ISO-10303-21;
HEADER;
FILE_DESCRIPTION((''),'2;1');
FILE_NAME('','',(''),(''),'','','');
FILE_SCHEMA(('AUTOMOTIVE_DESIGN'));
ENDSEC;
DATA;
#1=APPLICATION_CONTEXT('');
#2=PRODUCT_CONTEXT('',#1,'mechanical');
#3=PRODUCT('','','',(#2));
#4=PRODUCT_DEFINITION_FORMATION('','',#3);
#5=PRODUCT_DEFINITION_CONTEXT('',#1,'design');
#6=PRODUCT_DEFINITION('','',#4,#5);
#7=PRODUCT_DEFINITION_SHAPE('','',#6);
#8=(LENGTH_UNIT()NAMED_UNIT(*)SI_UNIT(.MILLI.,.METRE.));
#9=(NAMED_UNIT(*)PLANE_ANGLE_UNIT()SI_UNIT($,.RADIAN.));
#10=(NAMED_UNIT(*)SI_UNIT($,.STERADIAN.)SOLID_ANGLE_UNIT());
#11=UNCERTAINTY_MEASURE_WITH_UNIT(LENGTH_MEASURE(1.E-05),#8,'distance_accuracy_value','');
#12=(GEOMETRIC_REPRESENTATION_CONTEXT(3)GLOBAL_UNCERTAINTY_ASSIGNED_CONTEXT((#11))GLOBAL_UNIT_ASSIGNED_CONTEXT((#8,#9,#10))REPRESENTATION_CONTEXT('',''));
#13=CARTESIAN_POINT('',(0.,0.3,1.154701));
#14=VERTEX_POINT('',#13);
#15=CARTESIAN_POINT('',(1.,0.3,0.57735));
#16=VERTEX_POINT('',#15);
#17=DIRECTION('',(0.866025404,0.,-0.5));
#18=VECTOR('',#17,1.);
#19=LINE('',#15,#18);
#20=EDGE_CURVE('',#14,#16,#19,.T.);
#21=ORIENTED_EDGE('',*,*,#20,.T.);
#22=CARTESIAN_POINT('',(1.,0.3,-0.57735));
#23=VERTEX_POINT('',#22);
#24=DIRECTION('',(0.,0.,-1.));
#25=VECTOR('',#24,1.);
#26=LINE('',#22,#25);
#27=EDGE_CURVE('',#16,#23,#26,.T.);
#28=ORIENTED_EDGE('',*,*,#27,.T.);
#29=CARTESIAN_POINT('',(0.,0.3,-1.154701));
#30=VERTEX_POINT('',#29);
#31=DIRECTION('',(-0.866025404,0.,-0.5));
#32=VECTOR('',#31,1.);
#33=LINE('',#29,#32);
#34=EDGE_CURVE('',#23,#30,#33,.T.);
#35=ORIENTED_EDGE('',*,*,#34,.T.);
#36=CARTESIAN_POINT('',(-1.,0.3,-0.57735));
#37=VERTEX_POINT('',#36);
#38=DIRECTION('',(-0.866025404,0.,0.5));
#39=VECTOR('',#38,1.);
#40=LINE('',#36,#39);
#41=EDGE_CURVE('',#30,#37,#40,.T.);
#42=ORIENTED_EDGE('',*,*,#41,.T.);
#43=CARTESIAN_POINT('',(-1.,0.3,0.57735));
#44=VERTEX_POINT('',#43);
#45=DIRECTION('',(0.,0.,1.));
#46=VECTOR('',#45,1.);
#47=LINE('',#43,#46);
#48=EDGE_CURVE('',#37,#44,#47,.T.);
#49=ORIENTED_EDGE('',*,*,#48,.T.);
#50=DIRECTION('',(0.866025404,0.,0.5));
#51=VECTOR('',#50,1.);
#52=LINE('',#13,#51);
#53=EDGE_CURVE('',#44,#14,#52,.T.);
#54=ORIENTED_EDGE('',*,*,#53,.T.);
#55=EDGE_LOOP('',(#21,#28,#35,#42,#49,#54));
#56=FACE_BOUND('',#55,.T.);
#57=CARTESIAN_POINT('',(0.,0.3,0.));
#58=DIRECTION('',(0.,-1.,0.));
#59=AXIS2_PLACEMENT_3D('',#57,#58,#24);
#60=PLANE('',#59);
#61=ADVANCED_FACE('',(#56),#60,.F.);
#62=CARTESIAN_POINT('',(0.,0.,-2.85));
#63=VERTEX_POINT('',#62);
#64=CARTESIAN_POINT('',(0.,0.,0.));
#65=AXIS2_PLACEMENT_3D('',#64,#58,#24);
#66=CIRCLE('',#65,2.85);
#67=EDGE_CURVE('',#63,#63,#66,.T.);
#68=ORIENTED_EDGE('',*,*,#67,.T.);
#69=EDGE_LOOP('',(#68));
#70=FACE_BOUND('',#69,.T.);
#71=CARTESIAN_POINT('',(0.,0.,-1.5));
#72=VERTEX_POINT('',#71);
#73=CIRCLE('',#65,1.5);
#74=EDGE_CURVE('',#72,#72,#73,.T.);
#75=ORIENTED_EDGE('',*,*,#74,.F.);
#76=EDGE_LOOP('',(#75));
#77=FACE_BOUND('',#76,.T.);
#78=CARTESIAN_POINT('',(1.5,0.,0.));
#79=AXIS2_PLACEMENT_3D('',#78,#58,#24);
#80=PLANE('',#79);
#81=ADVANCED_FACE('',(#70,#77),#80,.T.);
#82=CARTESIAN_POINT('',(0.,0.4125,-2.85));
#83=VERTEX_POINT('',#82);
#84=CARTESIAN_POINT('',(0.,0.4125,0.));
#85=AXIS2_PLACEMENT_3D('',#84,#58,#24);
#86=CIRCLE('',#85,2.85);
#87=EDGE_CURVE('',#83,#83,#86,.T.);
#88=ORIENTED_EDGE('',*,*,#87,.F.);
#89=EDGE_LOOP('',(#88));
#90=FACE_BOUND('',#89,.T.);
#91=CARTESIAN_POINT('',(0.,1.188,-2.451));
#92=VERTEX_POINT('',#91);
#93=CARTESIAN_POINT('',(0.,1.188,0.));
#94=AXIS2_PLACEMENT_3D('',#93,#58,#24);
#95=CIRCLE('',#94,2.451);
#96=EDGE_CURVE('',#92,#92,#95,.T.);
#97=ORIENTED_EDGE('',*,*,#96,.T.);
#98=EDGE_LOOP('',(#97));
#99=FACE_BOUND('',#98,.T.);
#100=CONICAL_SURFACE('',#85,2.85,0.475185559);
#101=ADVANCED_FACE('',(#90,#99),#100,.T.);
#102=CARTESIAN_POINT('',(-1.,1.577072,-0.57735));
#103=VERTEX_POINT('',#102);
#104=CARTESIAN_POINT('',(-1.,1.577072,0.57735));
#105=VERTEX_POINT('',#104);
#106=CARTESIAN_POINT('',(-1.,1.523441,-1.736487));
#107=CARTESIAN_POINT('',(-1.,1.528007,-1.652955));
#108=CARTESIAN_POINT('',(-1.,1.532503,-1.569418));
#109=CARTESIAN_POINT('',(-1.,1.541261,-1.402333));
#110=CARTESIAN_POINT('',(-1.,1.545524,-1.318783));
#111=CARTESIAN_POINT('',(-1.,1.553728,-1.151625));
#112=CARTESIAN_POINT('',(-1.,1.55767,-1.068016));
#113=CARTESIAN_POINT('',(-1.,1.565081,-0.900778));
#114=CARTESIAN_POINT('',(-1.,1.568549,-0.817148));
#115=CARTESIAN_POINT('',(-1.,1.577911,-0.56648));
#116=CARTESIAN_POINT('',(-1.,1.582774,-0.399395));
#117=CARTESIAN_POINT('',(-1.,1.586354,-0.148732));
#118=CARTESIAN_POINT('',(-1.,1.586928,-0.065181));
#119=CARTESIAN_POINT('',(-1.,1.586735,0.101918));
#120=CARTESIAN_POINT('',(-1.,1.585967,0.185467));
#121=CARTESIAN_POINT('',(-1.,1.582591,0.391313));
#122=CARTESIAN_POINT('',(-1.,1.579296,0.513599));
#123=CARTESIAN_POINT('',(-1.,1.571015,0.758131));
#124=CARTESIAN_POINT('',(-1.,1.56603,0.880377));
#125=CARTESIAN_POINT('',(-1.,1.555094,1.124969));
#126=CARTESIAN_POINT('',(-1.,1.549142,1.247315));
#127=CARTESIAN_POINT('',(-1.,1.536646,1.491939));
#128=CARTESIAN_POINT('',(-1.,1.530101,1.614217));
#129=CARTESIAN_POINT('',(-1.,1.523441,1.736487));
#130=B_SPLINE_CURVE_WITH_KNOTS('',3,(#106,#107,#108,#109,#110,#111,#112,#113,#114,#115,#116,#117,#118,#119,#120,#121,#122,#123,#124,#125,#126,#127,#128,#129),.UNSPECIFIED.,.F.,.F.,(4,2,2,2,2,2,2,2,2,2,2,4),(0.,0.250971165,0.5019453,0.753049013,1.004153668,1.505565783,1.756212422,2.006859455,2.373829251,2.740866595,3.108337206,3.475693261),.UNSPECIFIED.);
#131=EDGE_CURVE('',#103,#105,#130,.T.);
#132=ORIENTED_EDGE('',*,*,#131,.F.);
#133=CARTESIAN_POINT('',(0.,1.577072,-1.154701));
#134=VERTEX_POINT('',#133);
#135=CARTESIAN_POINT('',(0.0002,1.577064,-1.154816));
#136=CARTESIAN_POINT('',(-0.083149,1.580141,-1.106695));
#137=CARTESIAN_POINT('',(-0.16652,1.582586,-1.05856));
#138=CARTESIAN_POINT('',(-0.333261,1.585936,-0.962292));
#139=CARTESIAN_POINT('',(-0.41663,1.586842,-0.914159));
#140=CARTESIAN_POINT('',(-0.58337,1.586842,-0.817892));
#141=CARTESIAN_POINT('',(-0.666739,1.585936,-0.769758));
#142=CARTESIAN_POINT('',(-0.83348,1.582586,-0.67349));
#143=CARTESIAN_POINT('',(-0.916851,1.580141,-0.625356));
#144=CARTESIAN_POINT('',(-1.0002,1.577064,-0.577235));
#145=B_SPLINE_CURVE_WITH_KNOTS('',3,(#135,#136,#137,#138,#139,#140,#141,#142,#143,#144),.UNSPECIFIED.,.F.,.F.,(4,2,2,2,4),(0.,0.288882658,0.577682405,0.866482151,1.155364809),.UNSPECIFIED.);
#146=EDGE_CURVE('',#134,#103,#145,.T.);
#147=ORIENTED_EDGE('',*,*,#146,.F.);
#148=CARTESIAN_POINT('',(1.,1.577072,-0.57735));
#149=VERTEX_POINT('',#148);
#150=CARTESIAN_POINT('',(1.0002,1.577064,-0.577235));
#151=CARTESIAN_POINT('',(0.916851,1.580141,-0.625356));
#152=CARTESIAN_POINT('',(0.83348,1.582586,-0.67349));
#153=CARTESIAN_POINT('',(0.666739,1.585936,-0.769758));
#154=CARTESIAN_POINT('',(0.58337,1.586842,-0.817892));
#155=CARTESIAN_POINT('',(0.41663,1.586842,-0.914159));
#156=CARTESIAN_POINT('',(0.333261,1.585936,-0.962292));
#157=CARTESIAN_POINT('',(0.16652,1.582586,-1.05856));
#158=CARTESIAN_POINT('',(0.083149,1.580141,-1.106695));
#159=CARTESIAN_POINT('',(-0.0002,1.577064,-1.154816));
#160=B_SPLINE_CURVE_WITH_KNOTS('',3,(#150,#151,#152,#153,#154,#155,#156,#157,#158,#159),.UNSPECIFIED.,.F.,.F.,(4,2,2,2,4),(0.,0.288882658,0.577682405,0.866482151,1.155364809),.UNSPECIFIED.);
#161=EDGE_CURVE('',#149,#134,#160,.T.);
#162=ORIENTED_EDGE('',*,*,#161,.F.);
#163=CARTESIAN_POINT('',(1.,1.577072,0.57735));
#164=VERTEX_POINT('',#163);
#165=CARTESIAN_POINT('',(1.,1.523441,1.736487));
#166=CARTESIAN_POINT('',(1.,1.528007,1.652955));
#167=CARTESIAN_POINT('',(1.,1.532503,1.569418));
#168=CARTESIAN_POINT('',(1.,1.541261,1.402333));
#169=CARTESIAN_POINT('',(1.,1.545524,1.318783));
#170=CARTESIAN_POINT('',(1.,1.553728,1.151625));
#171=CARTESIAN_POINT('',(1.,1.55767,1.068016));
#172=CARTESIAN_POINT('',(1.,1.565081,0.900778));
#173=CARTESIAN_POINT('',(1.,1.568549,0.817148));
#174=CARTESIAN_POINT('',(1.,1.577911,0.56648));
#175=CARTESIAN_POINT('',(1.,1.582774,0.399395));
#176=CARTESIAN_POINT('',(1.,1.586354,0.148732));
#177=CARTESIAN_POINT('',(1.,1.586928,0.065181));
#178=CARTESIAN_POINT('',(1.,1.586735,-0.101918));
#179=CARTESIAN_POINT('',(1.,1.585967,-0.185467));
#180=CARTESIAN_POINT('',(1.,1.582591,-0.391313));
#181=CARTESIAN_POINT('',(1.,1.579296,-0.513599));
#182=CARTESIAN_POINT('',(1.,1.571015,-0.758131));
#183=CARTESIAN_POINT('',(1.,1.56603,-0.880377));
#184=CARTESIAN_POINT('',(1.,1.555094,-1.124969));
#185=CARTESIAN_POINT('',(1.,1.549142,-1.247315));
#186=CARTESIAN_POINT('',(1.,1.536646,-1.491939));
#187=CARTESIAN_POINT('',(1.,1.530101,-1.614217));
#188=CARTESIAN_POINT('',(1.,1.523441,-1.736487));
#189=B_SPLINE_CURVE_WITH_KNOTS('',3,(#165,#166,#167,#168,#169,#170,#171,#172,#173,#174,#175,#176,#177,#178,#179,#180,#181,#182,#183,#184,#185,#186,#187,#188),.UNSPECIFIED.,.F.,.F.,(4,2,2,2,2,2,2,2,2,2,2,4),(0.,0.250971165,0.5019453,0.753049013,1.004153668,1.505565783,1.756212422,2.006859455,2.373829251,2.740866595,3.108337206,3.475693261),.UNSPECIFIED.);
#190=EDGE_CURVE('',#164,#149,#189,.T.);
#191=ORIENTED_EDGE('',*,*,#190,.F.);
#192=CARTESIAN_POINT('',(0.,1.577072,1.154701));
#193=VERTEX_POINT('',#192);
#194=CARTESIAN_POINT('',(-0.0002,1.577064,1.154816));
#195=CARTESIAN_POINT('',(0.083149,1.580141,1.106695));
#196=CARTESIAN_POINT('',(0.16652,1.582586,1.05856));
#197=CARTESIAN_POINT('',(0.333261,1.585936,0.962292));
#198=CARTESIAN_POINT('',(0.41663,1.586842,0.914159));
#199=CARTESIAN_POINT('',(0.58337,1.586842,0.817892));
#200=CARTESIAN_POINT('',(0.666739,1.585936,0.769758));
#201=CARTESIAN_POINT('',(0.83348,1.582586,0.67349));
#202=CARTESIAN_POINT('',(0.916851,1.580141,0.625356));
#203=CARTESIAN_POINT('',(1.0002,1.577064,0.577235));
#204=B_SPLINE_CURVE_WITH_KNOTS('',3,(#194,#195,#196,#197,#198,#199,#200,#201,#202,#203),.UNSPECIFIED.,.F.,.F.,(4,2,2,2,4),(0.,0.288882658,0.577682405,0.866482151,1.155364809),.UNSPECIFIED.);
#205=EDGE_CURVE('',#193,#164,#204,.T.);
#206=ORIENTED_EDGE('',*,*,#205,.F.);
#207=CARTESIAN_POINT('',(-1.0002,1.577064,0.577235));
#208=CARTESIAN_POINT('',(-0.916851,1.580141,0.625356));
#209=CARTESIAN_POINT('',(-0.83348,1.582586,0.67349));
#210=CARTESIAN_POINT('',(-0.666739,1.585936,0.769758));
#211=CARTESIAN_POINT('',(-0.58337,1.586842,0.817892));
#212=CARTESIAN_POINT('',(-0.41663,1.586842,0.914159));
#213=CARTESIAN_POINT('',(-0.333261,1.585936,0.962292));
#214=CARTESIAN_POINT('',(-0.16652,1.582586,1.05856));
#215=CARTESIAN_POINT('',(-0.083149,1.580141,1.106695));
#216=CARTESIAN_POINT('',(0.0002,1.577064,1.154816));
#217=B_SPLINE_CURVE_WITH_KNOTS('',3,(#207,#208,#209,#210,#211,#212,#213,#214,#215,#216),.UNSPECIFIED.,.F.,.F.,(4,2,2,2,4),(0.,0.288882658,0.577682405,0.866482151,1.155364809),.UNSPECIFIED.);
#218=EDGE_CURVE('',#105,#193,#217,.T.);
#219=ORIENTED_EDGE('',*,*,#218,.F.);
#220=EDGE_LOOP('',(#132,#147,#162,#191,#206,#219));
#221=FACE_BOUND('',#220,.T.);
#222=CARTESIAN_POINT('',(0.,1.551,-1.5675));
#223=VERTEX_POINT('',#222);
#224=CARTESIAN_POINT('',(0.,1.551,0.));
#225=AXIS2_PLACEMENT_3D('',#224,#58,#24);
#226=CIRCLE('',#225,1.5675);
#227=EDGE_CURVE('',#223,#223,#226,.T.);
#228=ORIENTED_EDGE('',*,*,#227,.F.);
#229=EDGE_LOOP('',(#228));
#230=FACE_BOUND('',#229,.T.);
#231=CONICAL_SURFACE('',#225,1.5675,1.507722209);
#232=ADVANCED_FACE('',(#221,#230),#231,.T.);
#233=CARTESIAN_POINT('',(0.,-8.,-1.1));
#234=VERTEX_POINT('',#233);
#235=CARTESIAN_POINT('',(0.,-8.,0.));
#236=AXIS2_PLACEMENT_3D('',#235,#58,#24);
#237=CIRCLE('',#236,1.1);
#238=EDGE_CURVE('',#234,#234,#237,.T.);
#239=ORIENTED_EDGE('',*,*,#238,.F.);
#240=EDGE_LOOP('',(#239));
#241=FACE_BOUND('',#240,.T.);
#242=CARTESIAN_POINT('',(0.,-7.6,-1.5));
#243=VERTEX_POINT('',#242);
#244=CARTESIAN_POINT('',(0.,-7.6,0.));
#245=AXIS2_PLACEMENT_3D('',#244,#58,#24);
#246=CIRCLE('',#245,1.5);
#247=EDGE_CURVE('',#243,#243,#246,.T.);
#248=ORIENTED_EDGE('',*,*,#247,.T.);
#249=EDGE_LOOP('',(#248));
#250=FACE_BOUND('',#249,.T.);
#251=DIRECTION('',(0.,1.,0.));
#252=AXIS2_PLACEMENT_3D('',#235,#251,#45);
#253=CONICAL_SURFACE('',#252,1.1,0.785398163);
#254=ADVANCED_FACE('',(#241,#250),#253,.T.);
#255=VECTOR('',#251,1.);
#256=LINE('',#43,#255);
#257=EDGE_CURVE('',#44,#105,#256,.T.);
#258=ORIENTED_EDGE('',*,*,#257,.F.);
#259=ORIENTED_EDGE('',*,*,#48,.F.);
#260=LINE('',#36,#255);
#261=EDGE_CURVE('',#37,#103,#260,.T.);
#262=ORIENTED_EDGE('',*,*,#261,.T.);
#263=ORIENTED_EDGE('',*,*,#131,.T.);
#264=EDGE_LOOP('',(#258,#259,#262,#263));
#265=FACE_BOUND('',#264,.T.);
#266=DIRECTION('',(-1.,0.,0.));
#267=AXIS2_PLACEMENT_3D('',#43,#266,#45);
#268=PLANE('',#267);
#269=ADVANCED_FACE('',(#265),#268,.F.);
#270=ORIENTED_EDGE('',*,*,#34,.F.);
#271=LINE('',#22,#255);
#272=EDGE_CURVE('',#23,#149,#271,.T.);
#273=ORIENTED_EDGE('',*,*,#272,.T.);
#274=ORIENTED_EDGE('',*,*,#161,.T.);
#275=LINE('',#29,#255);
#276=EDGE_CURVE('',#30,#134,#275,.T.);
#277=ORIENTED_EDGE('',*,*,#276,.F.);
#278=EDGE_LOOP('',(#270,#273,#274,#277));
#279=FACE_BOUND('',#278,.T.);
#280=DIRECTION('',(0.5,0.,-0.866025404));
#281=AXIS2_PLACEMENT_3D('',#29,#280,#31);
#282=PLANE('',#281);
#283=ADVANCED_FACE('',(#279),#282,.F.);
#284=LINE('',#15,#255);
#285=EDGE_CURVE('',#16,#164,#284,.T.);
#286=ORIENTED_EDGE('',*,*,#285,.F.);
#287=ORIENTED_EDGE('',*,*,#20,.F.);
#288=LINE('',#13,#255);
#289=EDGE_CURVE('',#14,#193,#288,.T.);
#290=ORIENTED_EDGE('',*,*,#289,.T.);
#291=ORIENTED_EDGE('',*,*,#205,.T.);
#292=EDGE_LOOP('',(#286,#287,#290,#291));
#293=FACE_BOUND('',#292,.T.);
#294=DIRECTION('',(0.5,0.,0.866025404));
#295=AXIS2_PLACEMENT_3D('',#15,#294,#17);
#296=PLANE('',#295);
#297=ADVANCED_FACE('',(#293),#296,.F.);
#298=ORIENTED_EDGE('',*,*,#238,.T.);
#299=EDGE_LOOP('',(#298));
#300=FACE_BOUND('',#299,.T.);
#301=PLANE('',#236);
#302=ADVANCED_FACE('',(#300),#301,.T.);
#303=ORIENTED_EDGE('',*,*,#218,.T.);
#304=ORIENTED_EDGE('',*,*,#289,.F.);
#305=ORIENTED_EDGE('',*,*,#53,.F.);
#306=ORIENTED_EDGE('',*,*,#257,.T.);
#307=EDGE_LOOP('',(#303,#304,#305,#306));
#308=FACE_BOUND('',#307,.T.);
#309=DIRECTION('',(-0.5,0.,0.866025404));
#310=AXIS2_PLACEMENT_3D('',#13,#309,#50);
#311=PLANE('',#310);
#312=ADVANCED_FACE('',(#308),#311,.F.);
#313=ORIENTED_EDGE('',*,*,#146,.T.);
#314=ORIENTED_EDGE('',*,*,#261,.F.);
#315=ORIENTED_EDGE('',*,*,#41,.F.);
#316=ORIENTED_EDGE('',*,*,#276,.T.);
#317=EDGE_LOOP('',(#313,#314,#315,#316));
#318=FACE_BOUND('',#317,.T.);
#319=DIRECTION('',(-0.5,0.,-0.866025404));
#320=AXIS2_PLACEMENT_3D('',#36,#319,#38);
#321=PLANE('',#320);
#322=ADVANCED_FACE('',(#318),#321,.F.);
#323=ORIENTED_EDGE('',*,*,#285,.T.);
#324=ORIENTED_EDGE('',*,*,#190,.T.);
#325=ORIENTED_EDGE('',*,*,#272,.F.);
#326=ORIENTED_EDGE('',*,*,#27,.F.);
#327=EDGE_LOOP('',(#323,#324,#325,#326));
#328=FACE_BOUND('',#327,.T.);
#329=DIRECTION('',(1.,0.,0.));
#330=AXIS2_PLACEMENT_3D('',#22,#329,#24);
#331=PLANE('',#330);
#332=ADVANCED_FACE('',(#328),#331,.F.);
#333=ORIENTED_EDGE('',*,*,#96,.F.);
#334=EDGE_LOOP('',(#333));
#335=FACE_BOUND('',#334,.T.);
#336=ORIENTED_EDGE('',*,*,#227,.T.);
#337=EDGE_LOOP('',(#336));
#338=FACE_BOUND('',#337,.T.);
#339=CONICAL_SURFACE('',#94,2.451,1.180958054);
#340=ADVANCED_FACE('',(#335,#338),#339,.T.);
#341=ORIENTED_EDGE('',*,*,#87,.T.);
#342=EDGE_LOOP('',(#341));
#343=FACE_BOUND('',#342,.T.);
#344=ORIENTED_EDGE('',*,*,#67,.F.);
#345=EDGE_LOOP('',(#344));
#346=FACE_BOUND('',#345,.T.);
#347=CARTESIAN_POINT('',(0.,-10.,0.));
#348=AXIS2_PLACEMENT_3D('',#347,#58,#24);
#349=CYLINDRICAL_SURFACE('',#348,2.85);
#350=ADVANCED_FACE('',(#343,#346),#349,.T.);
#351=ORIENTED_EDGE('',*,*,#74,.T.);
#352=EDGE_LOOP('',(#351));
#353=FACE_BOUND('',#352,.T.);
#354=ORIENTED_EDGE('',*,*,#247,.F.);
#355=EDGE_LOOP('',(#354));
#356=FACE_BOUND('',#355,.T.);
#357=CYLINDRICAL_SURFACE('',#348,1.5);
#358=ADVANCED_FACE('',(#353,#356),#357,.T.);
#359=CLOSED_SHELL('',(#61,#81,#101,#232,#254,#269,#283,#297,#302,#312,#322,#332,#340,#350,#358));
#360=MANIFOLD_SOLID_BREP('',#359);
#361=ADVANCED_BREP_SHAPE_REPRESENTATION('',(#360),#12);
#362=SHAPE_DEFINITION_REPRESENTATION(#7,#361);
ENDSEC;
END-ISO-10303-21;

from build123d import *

# Parameters (mm, degrees)
CUT_EXTRUDE1_DEPTH = 1.35


with BuildPart() as part:
    # Sketch1 → Revolve1 (revolve)
    with BuildSketch(Plane.XY, mode=Mode.PRIVATE) as revolve1_sk:
        Polygon((0, -8), (1.1, -8), (1.5, -7.6), (1.5, 0), (2.85, 0), (2.85, 0.4125), (2.451, 1.188), (1.5675, 1.551), (0, 1.65), align=None)
    revolve(revolve1_sk.sketch.rotate(Axis((0, -10, 0), (0, 1, 0)), 90), axis=Axis((0, -10, 0), (0, 1, 0)))

    # Sketch2 → Cut-Extrude1 (cut)
    with BuildSketch(Plane(origin=(0, 1.65, 0), x_dir=(1, 0, 0), z_dir=(0, 1, 0))):
        Polygon((1, -0.577350269), (0, -1.154700538), (-1, -0.577350269), (-1, 0.577350269), (0, 1.154700538), (1, 0.577350269), align=None)
    extrude(amount=-CUT_EXTRUDE1_DEPTH, mode=Mode.SUBTRACT)


solid = part.part
